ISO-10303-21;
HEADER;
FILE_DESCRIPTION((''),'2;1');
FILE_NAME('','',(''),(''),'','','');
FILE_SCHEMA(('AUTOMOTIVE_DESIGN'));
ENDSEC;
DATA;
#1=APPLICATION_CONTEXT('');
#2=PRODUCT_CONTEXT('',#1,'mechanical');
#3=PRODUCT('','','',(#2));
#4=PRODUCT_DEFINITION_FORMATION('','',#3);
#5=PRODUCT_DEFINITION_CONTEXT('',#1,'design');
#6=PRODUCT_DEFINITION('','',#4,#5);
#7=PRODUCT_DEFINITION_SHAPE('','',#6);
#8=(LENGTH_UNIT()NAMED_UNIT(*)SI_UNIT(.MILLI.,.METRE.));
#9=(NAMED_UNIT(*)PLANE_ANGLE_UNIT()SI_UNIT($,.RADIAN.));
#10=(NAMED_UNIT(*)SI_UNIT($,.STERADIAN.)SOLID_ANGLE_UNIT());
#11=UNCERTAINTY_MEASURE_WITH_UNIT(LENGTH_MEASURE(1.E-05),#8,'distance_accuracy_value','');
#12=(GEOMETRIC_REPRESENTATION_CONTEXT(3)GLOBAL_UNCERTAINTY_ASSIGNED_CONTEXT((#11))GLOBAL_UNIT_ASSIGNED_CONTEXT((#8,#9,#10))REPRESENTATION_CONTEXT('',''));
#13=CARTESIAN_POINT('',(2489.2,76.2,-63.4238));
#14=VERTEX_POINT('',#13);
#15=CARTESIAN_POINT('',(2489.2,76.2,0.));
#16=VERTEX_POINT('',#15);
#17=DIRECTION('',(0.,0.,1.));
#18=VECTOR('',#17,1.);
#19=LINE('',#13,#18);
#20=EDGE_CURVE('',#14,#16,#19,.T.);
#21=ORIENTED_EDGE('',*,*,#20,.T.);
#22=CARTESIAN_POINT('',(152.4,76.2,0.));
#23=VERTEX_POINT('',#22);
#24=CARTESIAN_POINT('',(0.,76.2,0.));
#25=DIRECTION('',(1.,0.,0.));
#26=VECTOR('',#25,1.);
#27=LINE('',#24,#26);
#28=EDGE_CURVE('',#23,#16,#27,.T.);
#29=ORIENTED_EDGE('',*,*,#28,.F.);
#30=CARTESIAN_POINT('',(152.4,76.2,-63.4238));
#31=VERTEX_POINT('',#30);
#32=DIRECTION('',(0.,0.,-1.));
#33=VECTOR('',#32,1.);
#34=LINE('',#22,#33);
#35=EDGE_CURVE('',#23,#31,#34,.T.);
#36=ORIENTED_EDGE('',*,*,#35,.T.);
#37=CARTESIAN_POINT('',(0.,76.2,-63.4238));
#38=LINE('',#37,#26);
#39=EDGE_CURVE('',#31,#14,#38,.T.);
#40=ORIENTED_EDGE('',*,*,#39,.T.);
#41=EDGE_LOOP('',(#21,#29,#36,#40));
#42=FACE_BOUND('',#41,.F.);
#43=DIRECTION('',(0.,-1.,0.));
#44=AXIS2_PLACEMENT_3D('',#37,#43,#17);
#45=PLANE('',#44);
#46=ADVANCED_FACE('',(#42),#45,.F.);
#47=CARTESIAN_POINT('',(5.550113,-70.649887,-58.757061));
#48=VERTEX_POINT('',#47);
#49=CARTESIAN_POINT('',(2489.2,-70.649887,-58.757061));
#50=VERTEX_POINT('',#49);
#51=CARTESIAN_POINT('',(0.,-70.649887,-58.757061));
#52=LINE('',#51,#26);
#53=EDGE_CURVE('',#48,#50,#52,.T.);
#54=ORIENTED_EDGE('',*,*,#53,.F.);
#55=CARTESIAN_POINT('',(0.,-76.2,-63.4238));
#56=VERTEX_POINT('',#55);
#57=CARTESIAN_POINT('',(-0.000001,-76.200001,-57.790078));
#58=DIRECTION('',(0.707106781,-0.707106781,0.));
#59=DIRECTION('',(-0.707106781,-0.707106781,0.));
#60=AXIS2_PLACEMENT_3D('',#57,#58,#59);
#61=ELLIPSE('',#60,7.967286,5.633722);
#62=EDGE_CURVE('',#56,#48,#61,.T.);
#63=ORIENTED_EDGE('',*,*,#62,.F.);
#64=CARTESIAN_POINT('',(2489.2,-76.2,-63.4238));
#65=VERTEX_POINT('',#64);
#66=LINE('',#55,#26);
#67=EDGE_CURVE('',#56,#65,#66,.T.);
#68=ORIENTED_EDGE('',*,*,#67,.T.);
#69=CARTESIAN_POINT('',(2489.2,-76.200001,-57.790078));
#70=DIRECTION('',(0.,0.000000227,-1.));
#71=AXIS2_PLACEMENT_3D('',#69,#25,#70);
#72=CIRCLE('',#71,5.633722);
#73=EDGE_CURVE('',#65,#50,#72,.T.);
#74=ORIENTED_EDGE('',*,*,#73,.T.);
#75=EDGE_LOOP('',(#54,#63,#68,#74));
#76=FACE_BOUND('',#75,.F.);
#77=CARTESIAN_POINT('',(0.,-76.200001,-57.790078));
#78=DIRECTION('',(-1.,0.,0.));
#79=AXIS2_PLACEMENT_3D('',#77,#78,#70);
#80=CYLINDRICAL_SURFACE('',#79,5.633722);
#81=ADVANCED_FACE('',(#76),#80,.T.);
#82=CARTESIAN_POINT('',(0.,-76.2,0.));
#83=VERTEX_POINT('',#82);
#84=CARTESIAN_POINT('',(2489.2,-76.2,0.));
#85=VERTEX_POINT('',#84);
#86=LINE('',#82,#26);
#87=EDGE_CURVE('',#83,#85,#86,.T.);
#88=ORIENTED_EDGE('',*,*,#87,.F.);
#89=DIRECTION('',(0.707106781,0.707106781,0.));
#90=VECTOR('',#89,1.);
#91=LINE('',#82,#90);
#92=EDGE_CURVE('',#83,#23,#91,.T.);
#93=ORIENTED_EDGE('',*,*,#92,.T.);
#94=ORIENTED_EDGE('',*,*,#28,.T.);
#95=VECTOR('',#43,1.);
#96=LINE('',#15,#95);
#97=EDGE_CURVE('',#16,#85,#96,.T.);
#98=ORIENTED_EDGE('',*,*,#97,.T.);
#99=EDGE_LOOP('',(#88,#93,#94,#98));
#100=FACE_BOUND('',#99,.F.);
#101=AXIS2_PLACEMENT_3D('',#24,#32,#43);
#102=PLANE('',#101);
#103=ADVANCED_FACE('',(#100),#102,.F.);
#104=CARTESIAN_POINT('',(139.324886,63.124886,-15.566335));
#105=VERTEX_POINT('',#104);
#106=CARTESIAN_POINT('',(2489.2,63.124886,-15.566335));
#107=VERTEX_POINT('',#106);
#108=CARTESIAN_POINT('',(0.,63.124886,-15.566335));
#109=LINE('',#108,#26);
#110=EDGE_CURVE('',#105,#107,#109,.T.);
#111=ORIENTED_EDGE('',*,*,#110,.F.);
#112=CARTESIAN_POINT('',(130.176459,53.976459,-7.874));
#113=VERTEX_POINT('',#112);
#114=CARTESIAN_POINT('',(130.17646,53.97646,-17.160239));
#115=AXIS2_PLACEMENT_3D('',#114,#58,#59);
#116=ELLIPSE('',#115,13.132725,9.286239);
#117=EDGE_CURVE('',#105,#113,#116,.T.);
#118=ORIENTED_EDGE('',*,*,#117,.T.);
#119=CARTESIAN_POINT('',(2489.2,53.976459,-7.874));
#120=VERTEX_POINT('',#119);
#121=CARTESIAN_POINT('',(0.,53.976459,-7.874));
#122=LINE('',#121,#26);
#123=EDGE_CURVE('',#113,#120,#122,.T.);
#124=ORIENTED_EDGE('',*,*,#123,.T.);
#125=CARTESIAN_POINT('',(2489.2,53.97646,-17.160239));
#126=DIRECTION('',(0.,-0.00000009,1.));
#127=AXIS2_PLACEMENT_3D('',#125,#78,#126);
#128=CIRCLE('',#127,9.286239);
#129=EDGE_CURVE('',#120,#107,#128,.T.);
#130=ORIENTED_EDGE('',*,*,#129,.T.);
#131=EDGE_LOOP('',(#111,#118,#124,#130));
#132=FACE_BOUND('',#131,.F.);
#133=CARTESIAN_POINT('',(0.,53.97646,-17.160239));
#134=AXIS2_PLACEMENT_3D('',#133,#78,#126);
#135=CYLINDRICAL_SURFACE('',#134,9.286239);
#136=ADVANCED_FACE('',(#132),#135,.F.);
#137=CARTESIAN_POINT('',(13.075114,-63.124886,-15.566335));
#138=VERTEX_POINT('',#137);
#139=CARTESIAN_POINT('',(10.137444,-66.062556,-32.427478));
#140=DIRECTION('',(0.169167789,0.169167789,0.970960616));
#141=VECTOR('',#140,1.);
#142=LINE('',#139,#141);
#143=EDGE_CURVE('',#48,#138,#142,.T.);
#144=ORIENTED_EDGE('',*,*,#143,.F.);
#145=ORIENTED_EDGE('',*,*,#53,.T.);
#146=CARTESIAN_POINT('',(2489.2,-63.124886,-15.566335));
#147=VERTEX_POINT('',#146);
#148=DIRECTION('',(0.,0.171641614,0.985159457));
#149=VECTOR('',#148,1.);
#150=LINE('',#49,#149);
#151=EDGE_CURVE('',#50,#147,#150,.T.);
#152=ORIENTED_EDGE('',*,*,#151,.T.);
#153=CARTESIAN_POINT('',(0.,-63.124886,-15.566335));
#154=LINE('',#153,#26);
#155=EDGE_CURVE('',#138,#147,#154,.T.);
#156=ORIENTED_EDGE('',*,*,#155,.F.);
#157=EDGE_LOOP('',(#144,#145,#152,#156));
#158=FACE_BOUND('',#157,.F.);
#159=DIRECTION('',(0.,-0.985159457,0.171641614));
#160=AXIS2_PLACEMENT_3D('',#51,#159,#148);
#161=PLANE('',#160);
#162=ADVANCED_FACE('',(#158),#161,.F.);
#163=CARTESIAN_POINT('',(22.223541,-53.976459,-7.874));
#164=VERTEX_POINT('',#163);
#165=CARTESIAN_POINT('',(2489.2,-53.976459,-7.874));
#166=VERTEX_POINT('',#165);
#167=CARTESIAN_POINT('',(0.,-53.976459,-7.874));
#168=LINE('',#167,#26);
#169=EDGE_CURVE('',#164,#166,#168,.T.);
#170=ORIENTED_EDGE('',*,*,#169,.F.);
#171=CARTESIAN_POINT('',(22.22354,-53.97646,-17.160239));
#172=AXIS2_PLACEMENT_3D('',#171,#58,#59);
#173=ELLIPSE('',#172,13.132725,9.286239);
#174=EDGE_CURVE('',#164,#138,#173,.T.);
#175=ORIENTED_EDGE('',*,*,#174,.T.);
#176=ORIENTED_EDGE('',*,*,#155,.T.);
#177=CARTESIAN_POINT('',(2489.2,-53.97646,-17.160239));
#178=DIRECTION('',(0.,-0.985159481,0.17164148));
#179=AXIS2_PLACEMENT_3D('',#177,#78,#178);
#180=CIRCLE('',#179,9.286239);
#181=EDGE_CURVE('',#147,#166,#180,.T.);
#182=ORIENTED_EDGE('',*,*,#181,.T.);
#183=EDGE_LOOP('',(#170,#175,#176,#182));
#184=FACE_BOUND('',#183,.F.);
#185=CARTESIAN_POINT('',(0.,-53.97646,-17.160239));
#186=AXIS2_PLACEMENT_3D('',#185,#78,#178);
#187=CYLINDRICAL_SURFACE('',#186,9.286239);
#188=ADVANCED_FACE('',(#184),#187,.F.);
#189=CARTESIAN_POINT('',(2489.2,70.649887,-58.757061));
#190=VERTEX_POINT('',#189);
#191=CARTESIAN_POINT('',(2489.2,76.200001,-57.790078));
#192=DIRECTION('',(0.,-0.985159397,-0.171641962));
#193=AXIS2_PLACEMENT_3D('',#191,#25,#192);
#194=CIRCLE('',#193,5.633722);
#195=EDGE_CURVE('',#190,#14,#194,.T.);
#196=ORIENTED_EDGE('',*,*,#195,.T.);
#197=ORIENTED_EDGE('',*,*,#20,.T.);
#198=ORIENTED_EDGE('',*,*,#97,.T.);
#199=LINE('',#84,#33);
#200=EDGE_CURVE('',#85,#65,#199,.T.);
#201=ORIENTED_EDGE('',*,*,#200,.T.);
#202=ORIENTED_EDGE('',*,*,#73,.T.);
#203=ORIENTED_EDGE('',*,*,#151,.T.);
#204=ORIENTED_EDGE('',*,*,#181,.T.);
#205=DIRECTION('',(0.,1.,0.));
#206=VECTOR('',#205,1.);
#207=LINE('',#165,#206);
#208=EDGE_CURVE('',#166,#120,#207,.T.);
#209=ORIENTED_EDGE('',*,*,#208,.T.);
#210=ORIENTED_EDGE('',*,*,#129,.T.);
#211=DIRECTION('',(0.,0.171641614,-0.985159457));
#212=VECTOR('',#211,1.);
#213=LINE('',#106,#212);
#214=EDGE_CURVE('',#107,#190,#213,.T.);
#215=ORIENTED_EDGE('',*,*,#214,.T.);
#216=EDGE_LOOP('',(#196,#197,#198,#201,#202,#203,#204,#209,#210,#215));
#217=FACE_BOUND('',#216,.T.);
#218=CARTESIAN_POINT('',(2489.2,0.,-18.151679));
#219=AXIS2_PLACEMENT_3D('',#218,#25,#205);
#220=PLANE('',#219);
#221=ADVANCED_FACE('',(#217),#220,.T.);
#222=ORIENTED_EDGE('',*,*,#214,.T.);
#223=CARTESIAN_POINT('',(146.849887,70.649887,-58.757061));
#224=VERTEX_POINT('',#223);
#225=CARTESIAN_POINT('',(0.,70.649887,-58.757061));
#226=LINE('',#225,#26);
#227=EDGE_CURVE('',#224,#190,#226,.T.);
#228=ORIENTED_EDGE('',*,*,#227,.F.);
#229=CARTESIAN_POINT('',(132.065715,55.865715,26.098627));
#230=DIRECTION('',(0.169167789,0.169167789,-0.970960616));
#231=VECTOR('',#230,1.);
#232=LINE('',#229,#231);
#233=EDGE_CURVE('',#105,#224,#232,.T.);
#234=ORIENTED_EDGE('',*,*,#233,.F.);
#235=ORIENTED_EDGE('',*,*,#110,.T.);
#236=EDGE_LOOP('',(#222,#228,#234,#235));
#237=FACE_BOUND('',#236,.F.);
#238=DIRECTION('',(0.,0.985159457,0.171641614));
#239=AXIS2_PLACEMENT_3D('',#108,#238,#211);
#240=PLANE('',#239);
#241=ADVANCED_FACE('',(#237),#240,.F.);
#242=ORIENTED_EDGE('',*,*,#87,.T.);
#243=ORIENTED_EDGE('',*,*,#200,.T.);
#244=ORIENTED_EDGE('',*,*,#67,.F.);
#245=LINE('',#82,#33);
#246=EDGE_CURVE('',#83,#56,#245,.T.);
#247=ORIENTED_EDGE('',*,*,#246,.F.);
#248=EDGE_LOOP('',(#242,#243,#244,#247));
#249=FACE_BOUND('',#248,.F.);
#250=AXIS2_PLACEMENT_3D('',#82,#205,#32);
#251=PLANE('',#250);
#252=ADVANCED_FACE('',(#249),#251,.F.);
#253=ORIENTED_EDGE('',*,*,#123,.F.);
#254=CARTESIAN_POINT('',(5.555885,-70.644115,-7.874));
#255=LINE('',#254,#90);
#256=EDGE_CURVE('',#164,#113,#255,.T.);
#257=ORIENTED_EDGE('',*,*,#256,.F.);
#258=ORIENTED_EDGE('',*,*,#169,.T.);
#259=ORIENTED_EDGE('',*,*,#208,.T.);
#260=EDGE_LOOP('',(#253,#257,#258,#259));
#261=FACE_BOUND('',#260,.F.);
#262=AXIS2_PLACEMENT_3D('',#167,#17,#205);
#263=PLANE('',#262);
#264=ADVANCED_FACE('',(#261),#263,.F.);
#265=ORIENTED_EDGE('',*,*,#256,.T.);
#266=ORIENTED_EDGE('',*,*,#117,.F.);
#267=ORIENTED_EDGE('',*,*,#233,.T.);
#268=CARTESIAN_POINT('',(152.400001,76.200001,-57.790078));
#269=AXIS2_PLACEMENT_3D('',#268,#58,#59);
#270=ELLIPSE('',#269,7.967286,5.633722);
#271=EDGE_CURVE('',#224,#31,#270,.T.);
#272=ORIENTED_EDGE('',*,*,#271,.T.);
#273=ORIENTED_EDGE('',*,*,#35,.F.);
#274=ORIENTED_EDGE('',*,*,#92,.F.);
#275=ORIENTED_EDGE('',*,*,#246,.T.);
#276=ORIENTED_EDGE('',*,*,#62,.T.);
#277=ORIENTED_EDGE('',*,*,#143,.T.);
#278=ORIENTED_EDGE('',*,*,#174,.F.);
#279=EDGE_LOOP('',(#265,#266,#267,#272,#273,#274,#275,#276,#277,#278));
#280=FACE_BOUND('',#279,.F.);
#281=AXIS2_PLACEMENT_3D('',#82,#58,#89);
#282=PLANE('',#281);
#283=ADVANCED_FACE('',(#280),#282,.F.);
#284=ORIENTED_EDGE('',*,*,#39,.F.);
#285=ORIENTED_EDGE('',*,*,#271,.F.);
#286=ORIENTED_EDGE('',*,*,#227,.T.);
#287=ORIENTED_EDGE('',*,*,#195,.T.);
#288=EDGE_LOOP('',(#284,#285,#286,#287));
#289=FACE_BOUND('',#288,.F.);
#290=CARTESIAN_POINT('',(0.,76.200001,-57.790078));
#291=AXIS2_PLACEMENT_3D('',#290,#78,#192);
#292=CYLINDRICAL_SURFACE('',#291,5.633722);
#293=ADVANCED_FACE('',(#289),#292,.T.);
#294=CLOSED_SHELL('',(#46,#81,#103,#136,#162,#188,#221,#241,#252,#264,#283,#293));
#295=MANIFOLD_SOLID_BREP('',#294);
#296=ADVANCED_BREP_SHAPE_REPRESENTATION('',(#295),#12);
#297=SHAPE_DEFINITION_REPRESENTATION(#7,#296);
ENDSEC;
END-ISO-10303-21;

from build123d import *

# Parameters (mm, degrees)
F1_DEPTH = 2489.2
F3_DEPTH = 63.4248


with BuildPart() as f1:
    # F0 (on Right) → F1 (new body)
    with BuildSketch(Plane.YZ):
        with BuildLine():
            Line((76.2, 0), (-76.2, 0))
            Line((-76.2, 0), (-76.2, -63.4238))
            ThreePointArc((-76.2, -63.4238), (-72.574321, -62.102069), (-70.649887, -58.757061))
            Line((-70.649887, -58.757061), (-63.124886, -15.566335))
            ThreePointArc((-63.124886, -15.566335), (-59.952782, -10.052651), (-53.976459, -7.874))
            Line((-53.976459, -7.874), (53.976459, -7.874))
            ThreePointArc((53.976459, -7.874), (59.952782, -10.052651), (63.124886, -15.566335))
            Line((63.124886, -15.566335), (70.649887, -58.757061))
            ThreePointArc((70.649887, -58.757061), (72.574321, -62.102069), (76.2, -63.4238))
            Line((76.2, -63.4238), (76.2, 0))
        make_face()
    extrude(amount=F1_DEPTH)

    # F2 (on face) → F3 (cut, through all)
    with BuildSketch(Plane.XY):
        Polygon((0, 76.2), (0, -76.2), (152.4, 76.2), align=None)
    extrude(amount=-F3_DEPTH, mode=Mode.SUBTRACT)


solid = f1.part
